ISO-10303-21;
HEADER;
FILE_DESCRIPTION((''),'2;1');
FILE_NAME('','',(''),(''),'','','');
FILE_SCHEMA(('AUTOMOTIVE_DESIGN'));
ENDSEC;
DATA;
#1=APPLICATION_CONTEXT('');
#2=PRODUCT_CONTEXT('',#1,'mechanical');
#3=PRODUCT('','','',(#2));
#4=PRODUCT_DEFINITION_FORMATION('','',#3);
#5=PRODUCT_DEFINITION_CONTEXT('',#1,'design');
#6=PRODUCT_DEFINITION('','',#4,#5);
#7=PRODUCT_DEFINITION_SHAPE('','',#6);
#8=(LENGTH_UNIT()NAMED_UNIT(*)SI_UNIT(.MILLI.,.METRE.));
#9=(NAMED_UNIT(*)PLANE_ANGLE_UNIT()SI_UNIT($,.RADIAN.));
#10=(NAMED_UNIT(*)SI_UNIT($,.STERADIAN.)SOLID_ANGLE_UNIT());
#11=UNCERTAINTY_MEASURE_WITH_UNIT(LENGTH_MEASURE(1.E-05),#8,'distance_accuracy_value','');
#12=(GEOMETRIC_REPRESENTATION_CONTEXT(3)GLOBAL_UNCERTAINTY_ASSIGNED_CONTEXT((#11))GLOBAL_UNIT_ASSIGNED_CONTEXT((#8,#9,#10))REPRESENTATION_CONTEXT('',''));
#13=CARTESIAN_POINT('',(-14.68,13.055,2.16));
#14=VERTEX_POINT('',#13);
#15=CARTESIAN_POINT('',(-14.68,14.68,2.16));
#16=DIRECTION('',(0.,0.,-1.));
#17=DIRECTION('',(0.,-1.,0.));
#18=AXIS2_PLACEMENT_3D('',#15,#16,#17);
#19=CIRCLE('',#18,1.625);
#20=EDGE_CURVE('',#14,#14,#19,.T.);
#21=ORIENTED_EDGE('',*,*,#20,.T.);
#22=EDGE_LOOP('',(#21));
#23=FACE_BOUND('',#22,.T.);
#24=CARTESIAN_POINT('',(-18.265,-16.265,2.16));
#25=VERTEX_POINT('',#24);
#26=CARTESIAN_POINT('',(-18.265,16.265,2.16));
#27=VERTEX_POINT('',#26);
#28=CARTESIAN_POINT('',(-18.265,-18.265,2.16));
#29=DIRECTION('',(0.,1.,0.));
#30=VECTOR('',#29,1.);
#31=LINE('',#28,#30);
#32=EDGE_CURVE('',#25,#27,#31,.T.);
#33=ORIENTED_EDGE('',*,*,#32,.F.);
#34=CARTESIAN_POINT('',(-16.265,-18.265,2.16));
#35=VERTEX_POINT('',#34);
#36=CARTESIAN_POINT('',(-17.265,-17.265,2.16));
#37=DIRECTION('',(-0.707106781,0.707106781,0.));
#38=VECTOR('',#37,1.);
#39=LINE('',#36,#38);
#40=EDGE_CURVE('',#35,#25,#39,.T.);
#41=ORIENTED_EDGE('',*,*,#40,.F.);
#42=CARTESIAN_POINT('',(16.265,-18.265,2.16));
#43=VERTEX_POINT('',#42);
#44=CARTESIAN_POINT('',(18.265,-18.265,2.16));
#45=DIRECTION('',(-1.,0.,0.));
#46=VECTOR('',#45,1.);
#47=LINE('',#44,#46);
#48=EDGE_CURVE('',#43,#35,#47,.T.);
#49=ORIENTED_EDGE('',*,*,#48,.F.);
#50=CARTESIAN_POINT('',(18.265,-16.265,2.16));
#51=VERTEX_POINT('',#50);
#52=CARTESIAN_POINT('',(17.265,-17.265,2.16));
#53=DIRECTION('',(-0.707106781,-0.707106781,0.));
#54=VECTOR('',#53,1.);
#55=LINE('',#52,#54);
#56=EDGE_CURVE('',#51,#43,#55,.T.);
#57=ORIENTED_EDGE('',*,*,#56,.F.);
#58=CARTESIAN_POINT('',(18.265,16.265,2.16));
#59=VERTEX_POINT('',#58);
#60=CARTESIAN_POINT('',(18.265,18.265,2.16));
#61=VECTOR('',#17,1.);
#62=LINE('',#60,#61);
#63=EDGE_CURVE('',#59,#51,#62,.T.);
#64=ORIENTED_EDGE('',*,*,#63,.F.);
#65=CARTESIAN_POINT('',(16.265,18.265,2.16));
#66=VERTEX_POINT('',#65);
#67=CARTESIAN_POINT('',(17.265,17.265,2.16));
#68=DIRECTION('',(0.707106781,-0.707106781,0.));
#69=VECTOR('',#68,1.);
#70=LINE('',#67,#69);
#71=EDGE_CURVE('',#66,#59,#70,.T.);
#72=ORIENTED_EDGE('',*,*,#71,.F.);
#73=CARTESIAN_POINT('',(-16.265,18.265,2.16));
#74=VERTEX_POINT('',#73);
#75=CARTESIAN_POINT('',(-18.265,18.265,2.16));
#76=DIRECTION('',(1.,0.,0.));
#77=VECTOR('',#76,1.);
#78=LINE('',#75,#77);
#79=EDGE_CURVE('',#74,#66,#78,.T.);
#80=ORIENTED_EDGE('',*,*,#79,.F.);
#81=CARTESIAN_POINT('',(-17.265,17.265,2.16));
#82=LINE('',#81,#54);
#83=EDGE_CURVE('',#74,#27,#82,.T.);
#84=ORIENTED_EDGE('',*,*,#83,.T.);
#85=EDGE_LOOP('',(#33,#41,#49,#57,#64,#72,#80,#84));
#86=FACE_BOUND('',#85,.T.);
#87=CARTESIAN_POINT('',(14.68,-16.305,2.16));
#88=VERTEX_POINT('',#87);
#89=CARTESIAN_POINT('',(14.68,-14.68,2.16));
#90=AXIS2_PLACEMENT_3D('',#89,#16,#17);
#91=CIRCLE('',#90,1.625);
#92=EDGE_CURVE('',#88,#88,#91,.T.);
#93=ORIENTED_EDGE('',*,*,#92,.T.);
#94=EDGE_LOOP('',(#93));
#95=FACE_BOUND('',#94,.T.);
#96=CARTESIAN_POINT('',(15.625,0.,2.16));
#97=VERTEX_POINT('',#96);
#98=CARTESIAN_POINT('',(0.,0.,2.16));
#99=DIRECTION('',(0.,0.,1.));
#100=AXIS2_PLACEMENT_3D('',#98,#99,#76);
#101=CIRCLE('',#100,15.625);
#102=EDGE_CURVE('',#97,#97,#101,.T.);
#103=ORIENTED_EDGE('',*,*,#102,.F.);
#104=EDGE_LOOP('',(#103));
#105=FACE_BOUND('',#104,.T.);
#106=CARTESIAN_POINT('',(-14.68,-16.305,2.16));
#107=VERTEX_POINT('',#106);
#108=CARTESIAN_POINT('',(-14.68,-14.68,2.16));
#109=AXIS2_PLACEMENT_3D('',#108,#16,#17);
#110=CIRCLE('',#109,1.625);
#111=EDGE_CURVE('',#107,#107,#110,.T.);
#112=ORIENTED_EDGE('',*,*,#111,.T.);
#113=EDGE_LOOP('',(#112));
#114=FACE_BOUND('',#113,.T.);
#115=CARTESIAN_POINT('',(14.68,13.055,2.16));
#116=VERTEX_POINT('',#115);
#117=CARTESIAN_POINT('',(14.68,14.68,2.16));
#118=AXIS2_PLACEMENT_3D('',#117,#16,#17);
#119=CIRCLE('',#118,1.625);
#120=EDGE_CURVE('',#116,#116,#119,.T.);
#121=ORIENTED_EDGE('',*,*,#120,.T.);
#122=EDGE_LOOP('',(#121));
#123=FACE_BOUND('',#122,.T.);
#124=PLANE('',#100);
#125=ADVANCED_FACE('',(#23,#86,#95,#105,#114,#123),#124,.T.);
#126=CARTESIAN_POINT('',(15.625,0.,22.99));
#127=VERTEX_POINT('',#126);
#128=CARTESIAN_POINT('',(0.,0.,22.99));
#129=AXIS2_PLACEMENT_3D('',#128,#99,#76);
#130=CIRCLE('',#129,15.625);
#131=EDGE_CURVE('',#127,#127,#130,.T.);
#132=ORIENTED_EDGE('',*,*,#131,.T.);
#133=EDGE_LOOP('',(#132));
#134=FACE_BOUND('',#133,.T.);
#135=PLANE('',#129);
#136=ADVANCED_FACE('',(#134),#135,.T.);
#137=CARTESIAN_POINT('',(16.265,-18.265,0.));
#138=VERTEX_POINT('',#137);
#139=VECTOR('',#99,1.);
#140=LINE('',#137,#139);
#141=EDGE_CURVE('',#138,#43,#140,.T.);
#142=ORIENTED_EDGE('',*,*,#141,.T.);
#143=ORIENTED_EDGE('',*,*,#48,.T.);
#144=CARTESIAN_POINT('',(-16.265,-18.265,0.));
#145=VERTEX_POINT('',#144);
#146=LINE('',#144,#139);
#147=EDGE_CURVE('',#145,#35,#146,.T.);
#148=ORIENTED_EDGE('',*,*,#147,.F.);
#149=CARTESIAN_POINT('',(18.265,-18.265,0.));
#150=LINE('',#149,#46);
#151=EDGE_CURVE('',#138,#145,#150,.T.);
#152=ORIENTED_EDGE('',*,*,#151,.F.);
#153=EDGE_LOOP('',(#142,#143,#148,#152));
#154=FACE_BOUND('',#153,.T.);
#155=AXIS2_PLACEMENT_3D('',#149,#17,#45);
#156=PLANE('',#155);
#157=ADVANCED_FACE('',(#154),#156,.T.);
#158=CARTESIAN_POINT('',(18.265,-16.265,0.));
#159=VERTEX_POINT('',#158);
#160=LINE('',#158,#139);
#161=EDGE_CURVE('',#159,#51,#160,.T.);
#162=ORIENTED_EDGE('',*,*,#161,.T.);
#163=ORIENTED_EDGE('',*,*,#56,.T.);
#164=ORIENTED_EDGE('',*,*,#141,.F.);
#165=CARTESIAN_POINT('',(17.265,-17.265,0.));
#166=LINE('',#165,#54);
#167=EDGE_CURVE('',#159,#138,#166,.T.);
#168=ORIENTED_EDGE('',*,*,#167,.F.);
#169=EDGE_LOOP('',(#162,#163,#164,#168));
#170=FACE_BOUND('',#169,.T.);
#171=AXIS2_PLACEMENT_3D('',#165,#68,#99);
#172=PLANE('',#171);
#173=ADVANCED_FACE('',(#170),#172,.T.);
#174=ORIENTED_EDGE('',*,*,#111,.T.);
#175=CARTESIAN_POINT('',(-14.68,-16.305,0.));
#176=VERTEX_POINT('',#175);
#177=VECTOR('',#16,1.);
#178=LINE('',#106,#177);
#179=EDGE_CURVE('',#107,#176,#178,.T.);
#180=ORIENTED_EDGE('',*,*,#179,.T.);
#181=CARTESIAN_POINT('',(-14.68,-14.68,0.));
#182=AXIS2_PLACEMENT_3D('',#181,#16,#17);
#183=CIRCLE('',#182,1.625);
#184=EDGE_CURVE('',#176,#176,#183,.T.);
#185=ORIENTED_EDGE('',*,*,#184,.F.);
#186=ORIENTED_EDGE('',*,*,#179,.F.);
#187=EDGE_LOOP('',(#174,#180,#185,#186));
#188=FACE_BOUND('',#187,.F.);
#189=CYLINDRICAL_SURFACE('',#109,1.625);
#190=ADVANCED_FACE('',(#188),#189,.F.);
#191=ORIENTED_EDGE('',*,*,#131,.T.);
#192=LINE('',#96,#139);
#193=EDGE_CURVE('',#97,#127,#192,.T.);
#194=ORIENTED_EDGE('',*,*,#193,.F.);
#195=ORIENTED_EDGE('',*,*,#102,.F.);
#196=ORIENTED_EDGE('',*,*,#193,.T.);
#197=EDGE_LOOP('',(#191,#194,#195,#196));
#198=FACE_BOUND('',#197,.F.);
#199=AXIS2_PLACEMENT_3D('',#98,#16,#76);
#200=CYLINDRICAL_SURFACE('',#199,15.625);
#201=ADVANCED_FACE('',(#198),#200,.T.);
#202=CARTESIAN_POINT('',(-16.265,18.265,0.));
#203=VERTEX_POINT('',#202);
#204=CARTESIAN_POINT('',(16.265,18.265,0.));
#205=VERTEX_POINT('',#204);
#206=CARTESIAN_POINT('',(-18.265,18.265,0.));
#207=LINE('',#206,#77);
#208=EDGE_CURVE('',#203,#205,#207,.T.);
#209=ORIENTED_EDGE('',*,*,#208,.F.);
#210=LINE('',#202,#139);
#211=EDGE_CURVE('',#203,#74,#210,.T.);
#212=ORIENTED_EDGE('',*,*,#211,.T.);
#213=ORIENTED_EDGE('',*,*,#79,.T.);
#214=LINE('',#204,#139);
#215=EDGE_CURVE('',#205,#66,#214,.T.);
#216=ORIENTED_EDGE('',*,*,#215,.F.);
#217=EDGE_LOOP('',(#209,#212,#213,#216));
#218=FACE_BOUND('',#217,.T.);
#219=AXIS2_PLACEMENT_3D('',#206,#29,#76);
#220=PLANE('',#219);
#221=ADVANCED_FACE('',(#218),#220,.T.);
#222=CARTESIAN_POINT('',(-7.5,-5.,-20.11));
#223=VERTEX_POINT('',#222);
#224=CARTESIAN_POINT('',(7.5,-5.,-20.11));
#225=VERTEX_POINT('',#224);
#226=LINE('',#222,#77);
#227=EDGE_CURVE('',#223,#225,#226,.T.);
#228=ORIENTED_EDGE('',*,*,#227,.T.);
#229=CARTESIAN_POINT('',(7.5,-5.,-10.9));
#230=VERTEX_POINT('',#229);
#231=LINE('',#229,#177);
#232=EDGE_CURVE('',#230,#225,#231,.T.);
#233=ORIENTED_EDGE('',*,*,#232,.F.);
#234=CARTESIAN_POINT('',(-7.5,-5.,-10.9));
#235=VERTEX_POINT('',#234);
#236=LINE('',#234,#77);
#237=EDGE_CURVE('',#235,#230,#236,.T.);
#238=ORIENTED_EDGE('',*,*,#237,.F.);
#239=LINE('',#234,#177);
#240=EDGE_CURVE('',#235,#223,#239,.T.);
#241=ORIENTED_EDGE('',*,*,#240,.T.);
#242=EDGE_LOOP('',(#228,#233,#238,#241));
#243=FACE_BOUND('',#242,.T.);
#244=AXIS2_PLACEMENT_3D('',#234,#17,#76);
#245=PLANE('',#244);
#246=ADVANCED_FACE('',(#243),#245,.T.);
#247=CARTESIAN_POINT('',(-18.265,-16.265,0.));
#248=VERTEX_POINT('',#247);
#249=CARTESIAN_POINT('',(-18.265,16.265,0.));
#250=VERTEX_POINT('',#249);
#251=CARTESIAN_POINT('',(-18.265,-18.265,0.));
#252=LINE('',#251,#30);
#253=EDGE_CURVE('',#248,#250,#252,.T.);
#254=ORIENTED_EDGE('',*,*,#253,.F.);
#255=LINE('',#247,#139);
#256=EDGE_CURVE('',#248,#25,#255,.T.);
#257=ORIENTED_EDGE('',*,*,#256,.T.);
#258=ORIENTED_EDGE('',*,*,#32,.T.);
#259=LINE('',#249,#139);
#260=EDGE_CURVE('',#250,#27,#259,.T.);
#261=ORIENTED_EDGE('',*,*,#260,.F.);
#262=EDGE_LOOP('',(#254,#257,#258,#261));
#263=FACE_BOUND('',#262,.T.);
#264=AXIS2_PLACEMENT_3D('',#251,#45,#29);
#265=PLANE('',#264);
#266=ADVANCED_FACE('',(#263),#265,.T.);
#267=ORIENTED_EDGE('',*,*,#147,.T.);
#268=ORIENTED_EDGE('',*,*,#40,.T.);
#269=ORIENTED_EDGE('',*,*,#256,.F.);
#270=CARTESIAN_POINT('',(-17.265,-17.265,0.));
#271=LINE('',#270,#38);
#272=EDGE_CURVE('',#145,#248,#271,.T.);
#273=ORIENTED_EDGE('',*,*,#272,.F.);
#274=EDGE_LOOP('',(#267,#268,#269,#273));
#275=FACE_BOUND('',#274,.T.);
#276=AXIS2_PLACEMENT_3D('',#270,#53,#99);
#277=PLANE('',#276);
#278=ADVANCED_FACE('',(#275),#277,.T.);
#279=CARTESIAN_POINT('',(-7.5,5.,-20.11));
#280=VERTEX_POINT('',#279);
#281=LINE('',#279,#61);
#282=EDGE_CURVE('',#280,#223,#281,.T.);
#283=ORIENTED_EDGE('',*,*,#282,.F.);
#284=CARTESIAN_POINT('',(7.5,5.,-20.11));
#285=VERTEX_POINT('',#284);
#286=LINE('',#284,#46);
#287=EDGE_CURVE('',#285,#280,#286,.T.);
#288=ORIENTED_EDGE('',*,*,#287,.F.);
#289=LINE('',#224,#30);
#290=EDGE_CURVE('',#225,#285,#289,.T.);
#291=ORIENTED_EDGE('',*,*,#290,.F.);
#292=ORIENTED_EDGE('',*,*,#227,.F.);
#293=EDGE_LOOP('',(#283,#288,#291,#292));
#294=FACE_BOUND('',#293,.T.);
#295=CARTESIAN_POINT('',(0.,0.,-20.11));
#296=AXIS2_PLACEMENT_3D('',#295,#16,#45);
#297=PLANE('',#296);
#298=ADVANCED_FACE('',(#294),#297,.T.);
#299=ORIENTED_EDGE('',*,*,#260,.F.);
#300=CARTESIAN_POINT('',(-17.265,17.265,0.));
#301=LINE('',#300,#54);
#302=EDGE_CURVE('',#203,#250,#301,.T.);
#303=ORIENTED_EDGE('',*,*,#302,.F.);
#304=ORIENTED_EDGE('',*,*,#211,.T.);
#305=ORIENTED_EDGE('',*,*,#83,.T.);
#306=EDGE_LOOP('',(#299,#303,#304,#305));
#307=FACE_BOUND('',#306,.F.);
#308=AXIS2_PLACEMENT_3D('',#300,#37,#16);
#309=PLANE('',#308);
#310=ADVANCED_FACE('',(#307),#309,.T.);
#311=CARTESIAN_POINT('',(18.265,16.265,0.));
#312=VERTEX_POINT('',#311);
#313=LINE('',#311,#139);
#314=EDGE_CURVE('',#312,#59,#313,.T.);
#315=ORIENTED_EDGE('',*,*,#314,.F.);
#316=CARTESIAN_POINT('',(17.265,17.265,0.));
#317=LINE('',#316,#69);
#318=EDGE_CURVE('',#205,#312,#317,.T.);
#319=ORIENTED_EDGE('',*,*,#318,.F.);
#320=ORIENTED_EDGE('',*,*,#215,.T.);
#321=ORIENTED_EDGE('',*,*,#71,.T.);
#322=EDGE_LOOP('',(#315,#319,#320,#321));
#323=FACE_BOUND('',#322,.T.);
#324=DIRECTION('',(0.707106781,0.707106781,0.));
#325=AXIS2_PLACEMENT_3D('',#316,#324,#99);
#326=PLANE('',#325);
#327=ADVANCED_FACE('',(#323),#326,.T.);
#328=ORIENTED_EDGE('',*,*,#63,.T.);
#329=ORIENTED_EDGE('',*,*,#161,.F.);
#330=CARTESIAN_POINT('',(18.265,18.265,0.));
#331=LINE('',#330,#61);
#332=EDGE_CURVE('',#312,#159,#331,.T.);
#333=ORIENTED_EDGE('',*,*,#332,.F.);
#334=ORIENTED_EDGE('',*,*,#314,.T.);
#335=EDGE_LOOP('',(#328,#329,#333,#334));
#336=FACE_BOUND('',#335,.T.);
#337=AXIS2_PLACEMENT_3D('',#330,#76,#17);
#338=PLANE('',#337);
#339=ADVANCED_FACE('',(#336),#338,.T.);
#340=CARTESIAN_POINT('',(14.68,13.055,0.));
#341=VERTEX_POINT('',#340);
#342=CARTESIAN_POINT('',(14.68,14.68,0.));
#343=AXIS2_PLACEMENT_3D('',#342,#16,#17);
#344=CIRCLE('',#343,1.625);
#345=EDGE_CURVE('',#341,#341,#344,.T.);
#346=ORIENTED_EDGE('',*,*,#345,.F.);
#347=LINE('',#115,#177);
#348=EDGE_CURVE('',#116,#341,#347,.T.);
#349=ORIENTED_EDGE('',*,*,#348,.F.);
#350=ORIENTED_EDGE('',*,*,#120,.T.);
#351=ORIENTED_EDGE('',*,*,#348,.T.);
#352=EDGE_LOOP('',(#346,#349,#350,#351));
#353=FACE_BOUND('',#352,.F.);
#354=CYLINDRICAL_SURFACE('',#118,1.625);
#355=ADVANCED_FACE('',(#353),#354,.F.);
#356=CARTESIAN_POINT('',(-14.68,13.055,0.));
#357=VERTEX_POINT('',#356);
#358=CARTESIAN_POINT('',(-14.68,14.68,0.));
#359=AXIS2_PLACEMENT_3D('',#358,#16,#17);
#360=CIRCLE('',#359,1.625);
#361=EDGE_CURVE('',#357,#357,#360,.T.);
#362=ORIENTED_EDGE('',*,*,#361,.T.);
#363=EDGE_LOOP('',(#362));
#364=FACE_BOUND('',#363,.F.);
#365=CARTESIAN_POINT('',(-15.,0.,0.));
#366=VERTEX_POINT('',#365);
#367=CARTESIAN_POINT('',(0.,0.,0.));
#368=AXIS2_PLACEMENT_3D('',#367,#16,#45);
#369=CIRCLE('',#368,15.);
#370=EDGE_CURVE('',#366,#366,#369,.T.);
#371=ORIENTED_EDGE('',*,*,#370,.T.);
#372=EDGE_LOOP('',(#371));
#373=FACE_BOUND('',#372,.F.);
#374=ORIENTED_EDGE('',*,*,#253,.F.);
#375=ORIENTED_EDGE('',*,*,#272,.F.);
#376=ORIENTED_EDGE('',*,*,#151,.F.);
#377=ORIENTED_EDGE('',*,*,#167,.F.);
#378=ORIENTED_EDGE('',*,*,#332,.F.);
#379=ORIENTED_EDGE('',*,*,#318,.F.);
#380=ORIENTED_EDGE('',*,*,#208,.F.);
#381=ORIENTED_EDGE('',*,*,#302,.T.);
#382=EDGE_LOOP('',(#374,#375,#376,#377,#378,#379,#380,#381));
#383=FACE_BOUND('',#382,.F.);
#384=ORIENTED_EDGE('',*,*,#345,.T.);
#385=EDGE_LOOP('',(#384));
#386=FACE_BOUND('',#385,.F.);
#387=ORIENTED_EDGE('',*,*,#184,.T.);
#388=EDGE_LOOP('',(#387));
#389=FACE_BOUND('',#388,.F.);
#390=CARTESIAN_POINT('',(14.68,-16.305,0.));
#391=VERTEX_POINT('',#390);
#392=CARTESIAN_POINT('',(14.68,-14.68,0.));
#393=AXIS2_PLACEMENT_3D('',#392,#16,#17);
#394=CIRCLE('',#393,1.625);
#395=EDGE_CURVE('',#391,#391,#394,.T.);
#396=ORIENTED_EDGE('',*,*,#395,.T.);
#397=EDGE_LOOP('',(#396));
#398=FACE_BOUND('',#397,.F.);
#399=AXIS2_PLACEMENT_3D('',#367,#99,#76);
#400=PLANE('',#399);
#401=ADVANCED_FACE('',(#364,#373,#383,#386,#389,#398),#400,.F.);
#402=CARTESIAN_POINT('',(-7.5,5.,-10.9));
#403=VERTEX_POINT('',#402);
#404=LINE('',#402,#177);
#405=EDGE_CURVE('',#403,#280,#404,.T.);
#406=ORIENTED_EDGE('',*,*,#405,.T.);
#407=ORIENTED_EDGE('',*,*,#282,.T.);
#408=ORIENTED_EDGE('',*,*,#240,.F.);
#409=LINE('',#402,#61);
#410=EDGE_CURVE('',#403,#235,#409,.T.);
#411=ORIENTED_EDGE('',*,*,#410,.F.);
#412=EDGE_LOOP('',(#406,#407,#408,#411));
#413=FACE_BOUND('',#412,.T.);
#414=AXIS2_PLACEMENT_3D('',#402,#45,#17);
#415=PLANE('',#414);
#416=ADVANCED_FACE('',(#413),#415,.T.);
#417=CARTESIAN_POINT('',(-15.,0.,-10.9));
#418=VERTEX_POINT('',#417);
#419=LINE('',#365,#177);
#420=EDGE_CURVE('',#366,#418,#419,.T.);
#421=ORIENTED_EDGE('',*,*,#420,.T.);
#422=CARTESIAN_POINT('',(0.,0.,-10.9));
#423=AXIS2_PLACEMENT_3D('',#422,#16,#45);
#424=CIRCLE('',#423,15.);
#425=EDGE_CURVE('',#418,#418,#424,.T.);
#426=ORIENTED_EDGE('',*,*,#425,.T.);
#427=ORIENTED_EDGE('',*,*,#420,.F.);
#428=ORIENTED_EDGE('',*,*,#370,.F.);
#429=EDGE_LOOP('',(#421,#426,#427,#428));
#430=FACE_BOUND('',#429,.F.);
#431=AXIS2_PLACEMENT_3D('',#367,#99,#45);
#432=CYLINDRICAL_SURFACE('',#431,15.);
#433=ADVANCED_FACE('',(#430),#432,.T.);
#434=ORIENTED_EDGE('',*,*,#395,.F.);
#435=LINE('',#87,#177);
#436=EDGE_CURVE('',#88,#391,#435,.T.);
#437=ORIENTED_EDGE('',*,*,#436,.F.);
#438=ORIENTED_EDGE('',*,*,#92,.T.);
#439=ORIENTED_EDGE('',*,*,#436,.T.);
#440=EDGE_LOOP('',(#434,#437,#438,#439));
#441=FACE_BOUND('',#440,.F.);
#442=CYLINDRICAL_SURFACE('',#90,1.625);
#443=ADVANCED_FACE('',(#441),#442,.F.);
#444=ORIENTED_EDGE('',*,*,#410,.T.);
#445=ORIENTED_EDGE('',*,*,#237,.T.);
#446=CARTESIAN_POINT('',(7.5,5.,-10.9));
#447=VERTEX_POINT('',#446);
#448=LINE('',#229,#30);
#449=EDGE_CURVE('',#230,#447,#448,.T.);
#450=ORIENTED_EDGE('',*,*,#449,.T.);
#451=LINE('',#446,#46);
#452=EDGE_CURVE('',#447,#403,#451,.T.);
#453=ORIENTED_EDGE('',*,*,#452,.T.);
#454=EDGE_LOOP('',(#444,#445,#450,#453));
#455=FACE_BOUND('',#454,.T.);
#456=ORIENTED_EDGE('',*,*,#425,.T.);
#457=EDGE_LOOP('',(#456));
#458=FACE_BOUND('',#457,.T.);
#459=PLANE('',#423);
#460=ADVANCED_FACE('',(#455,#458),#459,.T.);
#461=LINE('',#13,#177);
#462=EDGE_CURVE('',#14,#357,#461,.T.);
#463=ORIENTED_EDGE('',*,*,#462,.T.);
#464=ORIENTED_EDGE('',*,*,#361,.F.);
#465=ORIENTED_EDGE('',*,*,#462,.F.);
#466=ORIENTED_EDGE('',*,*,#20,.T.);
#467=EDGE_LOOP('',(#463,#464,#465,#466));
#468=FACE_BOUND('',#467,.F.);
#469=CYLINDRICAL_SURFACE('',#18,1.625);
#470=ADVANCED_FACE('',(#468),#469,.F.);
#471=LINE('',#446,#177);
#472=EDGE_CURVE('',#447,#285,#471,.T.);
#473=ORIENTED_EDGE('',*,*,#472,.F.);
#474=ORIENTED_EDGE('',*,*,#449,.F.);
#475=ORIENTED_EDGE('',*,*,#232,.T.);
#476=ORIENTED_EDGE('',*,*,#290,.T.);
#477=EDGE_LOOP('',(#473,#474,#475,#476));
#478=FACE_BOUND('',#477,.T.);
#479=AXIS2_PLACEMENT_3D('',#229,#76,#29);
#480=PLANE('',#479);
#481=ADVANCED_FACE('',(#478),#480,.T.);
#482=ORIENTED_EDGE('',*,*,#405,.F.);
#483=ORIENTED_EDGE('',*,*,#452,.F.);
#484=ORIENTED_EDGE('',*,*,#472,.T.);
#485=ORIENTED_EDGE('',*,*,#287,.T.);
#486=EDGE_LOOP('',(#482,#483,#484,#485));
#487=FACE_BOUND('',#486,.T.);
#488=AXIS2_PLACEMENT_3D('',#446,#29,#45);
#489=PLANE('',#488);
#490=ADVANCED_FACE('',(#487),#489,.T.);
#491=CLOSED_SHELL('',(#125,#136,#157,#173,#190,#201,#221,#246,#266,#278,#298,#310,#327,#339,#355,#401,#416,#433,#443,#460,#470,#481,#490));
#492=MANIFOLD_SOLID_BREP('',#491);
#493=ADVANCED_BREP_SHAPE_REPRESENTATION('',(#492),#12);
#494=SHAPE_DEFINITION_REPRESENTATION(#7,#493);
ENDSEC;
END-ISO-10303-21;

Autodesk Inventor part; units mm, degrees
ref_plane "YZ Plane" through (0, 0, 0) normal (1, 0, 0) x (0, 1, 0)
ref_plane "XZ Plane" through (0, 0, 0) normal (0, 1, 0) x (-1, 0, 0)
ref_plane "XY Plane" through (0, 0, 0) normal (0, 0, 1) x (1, 0, 0)
sketch "Sketch1" plane through (0, 0, 0) normal (0, 0, 1) x (1, 0, 0)
  line L0 (-18.265, 18.265) -> (18.265, 18.265)
  line L1 (18.265, 18.265) -> (18.265, -18.265)
  line L2 (18.265, -18.265) -> (-18.265, -18.265)
  line L3 (-18.265, -18.265) -> (-18.265, 18.265)
  point P0 (0, 0)
  point P1 (0, 18.265)
  point P2 (-18.265, 0)
  dimension "d0" = 36.53
  dimension "d1" = 36.53
extrude "Extrusion1" add sketch "Sketch1" along normal blind 2.16
chamfer "Chamfer1" distance 2 angle 45 4 edges at (18.265, 18.265, 1.08) (-18.265, 18.265, 1.08) (-18.265, -18.265, 1.08) (18.265, -18.265, 1.08)
sketch "Sketch2" plane through (0, 0, 2.16) normal (0, 0, 1) x (1, 0, 0)
  line L0 (-14.68, 14.68) -> (14.68, 14.68)
  line L1 (14.68, 14.68) -> (14.68, -14.68)
  line L2 (14.68, -14.68) -> (-14.68, -14.68)
  line L3 (-14.68, -14.68) -> (-14.68, 14.68)
  point P0 (0, 0)
  point P1 (0, 14.68)
  point P2 (-14.68, 0)
  dimension "d7" = 29.36
hole "Hole1" at (-14.68, 14.68, 2.16) at (14.68, 14.68, 2.16) at (-14.68, -14.68, 2.16) at (14.68, -14.68, 2.16) direction (0, 0, -1) diameter 3.25 end through all
sketch "Sketch3" plane through (0, 0, 2.16) normal (0, 0, 1) x (1, 0, 0)
  circle A0 centre (0, 0) radius 15.625
  dimension "d15" = 31.25
extrude "Extrusion2" add sketch "Sketch3" along normal blind 20.83
sketch "Sketch4" plane through (0, 0, 0) normal (0, 0, -1) x (-1, 0, 0)
  circle A0 centre (0, 0) radius 15
  dimension "d18" = 30
extrude "Extrusion3" add sketch "Sketch4" along normal blind 10.9
sketch "Sketch5" plane through (0, 0, -10.9) normal (0, 0, -1) x (-1, 0, 0)
  line L0 (-7.5, 5) -> (7.5, 5)
  line L1 (7.5, 5) -> (7.5, -5)
  line L2 (7.5, -5) -> (-7.5, -5)
  line L3 (-7.5, -5) -> (-7.5, 5)
  point P0 (0, 0)
  point P1 (0, 5)
  point P2 (7.5, 0)
  dimension "d21" = 15
  dimension "d22" = 10
extrude "Extrusion4" add sketch "Sketch5" along normal blind 9.21
properties part number "RJFTV21 X Amphenol Connector"
